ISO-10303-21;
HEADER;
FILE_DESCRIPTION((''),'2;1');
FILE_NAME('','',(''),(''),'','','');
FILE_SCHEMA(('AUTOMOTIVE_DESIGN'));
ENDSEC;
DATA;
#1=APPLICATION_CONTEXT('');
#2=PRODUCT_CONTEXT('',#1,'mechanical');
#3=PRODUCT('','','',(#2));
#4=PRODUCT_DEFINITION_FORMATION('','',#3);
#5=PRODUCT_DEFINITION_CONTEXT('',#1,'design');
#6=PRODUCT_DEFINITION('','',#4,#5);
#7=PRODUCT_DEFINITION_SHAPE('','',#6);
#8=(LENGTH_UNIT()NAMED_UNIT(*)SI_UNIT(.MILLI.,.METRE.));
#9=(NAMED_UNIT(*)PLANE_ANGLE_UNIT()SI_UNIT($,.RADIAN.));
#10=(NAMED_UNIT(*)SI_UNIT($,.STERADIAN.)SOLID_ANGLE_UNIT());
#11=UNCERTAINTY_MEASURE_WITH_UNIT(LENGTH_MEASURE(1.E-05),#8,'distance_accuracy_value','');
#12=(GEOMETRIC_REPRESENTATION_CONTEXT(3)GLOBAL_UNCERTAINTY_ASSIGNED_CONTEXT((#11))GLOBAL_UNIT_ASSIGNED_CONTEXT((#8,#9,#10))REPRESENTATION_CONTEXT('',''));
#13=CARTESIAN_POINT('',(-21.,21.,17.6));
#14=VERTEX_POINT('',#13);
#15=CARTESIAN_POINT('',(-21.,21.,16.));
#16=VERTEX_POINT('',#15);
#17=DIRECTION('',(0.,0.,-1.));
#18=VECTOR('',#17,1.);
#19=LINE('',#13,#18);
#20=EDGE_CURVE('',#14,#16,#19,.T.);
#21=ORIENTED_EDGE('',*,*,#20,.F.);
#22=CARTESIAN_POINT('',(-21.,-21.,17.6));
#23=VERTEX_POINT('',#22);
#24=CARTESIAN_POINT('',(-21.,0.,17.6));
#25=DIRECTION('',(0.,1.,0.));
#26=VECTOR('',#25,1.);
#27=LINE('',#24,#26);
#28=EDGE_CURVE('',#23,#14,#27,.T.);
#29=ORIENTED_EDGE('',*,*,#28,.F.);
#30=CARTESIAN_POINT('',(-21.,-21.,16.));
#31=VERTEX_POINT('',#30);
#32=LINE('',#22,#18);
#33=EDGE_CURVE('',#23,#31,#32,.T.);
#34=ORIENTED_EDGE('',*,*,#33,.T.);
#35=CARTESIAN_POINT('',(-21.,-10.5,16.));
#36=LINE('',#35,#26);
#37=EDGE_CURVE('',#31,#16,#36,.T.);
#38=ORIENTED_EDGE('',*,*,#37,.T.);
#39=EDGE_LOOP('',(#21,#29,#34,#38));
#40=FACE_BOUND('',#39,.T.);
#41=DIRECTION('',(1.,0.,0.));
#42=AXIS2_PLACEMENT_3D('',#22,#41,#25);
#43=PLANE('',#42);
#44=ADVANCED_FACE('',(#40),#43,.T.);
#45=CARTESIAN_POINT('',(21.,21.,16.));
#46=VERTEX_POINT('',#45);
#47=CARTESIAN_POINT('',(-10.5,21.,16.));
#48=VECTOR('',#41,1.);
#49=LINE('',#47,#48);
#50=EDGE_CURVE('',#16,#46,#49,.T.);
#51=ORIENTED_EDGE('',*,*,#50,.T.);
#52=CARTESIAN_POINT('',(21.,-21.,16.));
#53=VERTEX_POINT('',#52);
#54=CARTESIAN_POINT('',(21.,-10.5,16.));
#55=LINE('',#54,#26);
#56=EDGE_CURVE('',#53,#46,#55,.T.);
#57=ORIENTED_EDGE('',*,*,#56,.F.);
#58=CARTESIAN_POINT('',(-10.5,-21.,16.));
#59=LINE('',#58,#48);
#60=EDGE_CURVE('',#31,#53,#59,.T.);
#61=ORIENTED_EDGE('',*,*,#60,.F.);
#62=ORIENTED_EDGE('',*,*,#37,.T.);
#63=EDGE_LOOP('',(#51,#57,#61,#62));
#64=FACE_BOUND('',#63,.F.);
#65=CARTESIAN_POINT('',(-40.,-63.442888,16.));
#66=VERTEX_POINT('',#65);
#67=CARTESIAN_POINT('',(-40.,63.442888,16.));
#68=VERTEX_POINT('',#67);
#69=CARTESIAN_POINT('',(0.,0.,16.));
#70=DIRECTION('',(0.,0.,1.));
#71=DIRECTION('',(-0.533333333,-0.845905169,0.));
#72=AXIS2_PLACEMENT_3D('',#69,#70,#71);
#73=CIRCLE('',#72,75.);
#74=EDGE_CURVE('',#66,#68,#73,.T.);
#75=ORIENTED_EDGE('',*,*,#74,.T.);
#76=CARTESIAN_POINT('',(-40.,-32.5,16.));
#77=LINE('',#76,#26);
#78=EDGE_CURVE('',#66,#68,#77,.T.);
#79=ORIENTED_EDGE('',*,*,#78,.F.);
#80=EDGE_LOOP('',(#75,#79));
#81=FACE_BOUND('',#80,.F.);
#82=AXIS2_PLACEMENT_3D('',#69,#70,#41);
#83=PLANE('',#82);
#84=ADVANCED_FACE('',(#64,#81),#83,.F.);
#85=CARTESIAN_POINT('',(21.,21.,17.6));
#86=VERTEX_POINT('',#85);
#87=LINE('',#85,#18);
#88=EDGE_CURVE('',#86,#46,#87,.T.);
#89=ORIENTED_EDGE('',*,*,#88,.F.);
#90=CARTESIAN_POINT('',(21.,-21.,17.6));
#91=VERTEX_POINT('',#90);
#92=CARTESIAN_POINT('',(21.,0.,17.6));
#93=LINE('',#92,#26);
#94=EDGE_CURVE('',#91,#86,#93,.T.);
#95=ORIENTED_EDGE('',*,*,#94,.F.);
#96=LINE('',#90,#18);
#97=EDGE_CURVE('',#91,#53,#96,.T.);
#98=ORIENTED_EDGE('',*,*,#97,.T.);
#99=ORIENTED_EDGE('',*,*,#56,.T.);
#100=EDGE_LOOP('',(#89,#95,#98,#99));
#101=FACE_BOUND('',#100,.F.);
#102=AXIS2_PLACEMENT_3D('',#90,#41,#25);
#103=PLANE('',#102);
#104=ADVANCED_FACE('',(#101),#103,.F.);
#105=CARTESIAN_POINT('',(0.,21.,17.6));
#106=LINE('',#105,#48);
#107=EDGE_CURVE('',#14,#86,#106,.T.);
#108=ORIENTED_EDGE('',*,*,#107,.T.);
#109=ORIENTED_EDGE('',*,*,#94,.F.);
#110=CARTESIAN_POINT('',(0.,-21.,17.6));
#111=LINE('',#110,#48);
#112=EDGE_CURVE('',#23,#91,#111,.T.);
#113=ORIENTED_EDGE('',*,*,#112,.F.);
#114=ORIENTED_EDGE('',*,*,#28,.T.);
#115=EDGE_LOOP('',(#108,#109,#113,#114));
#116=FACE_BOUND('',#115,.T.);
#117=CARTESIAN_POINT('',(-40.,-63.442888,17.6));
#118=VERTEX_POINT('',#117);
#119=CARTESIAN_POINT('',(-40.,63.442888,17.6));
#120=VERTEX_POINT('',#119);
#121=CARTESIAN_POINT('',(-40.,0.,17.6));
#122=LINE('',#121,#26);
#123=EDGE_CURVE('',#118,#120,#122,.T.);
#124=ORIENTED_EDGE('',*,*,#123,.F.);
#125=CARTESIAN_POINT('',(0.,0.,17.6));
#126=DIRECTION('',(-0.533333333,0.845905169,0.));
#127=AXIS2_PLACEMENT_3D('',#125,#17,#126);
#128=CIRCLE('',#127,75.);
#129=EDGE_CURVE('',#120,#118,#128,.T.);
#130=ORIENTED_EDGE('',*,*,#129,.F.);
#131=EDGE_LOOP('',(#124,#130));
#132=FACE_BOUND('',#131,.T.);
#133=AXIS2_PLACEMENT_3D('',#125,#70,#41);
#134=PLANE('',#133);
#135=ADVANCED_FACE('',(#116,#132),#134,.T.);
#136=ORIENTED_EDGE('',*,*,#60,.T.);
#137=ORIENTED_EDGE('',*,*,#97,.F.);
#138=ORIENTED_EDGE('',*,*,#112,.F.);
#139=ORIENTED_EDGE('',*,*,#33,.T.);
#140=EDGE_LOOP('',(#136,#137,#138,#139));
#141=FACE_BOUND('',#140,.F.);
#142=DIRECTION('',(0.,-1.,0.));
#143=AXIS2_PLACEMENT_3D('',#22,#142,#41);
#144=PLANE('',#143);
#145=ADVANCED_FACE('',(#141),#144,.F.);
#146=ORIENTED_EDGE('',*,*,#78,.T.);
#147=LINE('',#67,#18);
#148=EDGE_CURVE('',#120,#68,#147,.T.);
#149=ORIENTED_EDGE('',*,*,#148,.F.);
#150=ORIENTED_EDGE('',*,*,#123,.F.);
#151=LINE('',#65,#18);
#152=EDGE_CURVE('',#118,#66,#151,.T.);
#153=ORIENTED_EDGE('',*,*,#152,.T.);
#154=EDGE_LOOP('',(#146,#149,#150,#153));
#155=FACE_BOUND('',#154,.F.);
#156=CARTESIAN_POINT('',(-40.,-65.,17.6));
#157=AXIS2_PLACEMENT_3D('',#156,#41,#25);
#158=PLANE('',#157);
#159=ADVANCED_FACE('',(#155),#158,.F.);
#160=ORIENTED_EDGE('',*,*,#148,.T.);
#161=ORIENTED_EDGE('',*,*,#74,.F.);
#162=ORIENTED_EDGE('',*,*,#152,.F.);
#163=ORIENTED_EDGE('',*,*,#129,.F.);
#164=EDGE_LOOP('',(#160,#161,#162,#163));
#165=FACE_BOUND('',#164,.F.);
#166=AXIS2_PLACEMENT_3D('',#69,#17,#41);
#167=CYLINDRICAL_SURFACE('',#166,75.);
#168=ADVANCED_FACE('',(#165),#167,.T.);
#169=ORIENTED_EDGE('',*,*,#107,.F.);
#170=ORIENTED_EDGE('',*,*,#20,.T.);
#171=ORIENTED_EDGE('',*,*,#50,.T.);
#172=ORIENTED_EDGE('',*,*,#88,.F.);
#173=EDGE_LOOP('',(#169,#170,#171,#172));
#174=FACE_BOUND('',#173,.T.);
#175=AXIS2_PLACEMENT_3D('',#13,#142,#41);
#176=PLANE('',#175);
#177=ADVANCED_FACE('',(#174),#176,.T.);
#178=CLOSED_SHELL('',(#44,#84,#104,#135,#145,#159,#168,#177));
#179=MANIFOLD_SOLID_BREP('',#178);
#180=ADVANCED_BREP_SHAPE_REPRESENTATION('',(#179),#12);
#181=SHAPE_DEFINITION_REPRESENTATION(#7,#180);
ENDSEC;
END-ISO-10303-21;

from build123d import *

# Parameters (mm, degrees)
SKETCH062_R     = 75
PAD043_DEPTH    = 1.6
SKETCH063_W     = 42
SKETCH063_H     = 42
POCKET021_DEPTH = 1.601
SKETCH064_W     = 40
SKETCH064_H     = 130
POCKET022_DEPTH = 1.601


with BuildPart() as part:
    # Sketch062 → Pad043 (new body)
    with BuildSketch(Plane.XY):
        Circle(SKETCH062_R)
    extrude(amount=PAD043_DEPTH)

    # Sketch063 (on Face3 of Pad043) → Pocket021 (cut, through all)
    with BuildSketch(Plane.XY.offset(1.6)):
        Rectangle(SKETCH063_W, SKETCH063_H)
    extrude(amount=-POCKET021_DEPTH, mode=Mode.SUBTRACT)

    # Sketch064 (on Face3 of Pocket021) → Pocket022 (cut, through all)
    with BuildSketch(Plane.XY.offset(1.6)):
        with Locations((-60, 0)):
            Rectangle(SKETCH064_W, SKETCH064_H)
    extrude(amount=-POCKET022_DEPTH, mode=Mode.SUBTRACT)


with BuildPart() as part_1:
    # Body024 placement: moved
    add(part.part.moved(Location((0, 0, 16))))


solid = part_1.part
